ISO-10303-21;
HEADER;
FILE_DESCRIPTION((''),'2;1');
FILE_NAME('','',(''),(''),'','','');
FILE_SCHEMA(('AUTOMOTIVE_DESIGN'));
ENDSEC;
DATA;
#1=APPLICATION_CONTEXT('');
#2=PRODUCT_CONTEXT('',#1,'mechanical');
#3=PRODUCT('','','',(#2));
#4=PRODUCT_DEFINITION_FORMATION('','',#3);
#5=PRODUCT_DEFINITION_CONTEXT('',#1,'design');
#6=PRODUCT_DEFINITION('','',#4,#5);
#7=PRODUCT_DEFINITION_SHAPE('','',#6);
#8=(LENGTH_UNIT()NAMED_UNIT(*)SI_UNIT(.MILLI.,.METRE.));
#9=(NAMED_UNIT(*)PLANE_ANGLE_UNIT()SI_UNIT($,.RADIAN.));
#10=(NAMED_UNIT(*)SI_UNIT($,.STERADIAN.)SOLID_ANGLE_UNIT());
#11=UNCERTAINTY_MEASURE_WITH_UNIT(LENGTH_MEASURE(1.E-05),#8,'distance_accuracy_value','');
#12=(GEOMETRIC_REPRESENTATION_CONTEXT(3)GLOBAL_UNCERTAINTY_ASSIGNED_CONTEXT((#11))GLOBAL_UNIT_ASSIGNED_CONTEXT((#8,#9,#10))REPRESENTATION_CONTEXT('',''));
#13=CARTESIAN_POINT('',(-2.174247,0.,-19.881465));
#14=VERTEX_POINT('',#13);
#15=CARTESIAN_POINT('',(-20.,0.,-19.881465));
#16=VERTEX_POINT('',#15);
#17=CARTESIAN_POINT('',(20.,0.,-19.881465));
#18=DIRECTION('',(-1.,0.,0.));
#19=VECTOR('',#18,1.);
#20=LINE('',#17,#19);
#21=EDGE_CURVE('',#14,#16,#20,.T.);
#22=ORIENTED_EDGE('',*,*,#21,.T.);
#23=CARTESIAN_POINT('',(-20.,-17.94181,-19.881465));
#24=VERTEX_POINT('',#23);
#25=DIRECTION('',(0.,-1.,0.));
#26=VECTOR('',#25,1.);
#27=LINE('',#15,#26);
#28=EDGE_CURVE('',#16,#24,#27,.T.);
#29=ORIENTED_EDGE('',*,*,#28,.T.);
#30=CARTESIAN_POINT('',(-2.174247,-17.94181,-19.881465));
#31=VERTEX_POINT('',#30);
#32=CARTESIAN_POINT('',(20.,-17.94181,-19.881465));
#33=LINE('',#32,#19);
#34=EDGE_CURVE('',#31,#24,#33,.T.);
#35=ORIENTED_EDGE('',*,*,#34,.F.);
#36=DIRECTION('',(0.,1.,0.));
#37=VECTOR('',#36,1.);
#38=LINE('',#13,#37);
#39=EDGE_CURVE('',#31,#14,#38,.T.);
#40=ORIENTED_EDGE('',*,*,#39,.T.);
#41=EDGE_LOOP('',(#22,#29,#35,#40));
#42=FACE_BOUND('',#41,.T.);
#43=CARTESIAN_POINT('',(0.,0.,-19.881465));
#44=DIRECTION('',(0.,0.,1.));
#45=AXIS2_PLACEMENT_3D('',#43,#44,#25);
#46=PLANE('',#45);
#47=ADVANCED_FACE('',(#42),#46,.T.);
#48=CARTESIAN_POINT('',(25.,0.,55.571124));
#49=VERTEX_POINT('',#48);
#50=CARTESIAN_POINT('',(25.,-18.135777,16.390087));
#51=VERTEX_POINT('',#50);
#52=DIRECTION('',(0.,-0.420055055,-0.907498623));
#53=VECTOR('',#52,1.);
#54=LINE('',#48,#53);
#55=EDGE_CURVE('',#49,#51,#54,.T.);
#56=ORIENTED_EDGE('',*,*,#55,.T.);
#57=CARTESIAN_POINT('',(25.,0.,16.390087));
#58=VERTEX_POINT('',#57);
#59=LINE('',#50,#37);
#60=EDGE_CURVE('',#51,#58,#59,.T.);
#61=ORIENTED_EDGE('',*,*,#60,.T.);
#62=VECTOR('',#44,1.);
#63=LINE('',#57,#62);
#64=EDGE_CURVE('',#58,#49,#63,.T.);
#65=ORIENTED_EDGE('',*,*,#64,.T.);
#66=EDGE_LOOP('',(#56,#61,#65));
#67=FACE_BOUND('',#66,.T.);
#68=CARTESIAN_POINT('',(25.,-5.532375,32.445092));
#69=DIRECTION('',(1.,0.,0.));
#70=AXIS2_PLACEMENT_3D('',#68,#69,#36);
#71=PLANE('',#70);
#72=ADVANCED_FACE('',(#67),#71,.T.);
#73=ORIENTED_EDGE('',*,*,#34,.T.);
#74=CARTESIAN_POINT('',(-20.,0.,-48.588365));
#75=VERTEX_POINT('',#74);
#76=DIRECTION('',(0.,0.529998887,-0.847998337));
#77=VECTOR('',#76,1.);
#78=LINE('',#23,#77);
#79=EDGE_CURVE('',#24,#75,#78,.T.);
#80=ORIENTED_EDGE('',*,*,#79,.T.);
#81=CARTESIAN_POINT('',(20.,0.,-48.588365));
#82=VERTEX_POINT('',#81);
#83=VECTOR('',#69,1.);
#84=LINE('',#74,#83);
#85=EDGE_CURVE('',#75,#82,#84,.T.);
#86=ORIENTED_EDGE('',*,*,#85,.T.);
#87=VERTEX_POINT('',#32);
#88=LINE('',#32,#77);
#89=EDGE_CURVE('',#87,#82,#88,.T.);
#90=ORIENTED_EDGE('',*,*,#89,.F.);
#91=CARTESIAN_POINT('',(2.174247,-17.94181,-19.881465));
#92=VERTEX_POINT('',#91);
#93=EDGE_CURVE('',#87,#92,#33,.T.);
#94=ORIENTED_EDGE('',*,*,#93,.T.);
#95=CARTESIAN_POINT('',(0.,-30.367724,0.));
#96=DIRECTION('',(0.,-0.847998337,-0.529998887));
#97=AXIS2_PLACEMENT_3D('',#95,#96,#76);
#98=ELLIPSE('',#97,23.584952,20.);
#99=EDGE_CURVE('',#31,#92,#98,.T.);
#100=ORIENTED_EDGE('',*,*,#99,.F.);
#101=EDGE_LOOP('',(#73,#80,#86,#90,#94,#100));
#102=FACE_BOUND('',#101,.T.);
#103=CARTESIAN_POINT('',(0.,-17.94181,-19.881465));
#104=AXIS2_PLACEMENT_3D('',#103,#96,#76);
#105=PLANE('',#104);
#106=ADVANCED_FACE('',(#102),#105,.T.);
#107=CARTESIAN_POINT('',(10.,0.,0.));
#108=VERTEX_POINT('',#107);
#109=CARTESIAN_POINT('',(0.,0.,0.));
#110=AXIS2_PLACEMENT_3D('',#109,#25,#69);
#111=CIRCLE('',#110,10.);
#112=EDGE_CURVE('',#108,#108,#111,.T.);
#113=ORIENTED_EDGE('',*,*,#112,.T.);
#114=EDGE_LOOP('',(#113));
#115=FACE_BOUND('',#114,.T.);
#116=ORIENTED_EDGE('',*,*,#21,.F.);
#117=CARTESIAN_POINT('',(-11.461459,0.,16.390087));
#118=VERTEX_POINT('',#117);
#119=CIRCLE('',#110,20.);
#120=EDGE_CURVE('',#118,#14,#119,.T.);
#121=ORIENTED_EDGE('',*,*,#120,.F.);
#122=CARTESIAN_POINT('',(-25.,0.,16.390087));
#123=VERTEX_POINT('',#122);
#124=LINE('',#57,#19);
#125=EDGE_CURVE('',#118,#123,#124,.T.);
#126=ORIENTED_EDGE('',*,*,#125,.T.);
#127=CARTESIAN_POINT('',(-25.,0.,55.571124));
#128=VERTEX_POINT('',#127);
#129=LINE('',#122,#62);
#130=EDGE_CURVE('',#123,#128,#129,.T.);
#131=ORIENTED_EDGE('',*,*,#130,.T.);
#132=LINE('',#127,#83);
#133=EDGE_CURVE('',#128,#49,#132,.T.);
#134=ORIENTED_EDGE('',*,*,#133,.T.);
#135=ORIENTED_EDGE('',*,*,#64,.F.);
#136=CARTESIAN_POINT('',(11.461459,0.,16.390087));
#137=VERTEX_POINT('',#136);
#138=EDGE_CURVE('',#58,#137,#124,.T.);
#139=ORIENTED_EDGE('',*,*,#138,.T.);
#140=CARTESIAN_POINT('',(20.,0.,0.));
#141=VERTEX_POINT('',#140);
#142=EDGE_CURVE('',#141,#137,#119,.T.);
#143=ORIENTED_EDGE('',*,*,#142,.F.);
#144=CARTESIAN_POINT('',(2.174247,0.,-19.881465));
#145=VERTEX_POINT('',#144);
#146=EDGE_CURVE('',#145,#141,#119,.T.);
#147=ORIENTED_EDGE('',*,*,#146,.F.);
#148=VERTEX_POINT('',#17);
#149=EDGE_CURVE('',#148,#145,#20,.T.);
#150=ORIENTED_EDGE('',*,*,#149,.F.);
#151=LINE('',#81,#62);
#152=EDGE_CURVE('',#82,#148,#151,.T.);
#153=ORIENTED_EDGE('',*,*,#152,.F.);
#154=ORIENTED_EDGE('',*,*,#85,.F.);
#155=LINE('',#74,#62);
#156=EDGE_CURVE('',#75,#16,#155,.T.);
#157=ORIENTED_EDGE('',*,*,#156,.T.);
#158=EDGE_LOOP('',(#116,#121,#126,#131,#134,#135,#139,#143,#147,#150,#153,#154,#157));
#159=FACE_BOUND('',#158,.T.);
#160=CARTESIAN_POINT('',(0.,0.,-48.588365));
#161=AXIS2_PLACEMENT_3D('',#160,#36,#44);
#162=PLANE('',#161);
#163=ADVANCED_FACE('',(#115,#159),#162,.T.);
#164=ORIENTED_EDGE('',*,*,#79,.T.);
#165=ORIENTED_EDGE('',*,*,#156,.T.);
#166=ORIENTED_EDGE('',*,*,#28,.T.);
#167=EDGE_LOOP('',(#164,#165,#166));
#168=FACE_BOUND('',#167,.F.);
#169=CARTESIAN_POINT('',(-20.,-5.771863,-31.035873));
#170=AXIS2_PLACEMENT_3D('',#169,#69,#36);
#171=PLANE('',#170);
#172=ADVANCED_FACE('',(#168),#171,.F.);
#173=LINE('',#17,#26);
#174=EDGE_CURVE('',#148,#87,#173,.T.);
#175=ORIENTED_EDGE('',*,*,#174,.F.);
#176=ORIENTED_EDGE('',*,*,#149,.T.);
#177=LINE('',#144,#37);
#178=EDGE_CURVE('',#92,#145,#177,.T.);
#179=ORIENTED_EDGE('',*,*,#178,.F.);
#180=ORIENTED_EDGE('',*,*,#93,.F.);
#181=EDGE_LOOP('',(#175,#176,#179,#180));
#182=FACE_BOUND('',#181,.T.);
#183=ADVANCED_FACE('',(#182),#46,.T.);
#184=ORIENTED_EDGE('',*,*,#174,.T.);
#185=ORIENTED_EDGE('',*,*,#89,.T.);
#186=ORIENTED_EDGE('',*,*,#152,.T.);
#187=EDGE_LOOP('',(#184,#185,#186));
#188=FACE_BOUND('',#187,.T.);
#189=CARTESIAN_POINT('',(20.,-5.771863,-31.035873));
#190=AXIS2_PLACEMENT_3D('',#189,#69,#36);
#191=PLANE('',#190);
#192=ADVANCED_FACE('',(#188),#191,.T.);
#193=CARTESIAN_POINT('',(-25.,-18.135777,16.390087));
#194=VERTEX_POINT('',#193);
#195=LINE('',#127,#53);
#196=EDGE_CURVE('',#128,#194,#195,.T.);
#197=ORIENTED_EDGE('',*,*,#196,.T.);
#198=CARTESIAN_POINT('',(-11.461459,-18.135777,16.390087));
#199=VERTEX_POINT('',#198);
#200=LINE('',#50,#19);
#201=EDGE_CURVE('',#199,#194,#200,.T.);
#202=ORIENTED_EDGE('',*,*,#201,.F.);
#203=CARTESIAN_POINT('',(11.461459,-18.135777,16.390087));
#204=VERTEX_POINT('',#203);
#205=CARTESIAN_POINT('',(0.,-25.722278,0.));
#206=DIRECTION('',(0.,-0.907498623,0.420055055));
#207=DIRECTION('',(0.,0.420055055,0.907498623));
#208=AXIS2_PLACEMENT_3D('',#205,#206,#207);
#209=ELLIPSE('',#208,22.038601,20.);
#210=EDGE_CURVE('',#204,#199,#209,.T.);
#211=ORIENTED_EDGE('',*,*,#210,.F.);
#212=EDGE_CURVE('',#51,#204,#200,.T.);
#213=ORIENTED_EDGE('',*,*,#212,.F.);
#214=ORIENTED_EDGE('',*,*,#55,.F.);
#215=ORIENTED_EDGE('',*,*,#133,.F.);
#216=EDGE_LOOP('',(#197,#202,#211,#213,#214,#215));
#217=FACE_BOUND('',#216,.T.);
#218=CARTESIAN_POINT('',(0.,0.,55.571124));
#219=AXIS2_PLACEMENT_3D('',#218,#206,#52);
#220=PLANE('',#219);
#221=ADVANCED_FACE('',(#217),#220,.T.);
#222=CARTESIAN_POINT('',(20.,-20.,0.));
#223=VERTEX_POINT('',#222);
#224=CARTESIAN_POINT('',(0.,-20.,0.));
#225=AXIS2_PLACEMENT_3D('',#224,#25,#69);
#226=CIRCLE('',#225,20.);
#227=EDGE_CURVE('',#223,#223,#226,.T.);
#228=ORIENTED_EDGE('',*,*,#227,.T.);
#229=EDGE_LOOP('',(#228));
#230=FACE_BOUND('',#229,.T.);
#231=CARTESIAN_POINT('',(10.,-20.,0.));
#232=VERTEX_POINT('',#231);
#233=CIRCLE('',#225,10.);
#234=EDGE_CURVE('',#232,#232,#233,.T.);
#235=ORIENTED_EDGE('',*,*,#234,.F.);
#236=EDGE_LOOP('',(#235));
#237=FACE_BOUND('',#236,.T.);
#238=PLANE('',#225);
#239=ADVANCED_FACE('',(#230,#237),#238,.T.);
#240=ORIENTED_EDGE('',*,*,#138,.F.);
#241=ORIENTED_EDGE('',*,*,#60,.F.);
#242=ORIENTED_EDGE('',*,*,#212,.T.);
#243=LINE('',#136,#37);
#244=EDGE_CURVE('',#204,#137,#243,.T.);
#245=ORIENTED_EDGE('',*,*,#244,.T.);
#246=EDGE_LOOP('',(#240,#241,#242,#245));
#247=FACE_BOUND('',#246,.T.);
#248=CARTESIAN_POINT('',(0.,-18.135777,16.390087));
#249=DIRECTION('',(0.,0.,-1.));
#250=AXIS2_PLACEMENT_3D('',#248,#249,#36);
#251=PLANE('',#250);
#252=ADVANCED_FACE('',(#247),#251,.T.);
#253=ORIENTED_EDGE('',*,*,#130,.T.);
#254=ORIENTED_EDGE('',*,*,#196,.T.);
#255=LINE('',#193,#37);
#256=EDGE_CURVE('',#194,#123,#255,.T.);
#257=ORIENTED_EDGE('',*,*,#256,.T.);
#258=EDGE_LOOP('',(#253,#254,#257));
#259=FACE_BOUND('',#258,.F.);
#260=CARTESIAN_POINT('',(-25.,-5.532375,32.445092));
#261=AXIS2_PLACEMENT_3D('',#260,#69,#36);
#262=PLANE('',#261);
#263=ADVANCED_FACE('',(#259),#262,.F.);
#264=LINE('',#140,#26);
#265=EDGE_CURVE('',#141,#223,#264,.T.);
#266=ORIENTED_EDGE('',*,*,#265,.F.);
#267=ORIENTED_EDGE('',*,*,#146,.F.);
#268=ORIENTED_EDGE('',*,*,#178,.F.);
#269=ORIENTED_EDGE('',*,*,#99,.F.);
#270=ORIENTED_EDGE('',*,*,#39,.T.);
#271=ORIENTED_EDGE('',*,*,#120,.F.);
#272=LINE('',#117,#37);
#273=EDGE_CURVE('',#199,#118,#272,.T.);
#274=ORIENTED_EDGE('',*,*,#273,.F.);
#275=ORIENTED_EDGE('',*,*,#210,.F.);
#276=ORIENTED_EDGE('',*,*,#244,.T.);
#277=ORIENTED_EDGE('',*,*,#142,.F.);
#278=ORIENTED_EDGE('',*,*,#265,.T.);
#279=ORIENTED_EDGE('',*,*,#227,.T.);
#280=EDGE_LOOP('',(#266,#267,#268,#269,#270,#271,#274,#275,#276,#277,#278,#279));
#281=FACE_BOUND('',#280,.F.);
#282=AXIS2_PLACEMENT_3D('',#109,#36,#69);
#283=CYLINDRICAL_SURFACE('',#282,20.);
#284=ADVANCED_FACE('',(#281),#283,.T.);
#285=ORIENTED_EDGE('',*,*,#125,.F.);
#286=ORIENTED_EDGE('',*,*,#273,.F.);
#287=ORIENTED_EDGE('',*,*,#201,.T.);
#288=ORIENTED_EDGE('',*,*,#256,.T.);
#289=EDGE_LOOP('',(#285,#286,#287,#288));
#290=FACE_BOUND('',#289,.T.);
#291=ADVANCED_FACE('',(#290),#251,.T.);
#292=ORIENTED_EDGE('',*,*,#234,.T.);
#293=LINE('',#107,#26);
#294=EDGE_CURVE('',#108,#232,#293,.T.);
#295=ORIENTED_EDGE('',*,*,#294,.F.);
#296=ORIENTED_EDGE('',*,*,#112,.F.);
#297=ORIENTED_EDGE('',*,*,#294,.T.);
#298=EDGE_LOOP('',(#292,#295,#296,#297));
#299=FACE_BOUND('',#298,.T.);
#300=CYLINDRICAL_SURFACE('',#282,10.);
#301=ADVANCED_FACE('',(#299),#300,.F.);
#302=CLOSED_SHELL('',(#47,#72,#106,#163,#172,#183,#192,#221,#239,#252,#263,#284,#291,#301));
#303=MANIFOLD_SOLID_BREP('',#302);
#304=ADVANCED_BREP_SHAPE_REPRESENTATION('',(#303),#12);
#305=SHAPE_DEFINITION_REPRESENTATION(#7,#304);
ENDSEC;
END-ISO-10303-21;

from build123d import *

# Parameters (mm, degrees)
F0_R     = 20
F0_R_2   = 10
F1_DEPTH = 20
F3_DEPTH = 25
F5_DEPTH = 20


with BuildPart() as f1:
    # F0 (on Front) → F1 (new body)
    with BuildSketch(Plane.XZ):
        Circle(F0_R)
        Circle(F0_R_2, mode=Mode.SUBTRACT)
    extrude(amount=F1_DEPTH)

    # F2 (on Right) → F3 (join, symmetric)
    with BuildSketch(Plane.YZ):
        Polygon((0, 16.390087), (0, 55.571124), (-18.135777, 16.390087), align=None)
    extrude(amount=F3_DEPTH, both=True)

    # F4 (on Right) → F5 (join, symmetric)
    with BuildSketch(Plane.YZ):
        Polygon((-17.94181, -19.881465), (0, -48.588365), (0, -19.881465), align=None)
    extrude(amount=F5_DEPTH, both=True)


solid = f1.part
